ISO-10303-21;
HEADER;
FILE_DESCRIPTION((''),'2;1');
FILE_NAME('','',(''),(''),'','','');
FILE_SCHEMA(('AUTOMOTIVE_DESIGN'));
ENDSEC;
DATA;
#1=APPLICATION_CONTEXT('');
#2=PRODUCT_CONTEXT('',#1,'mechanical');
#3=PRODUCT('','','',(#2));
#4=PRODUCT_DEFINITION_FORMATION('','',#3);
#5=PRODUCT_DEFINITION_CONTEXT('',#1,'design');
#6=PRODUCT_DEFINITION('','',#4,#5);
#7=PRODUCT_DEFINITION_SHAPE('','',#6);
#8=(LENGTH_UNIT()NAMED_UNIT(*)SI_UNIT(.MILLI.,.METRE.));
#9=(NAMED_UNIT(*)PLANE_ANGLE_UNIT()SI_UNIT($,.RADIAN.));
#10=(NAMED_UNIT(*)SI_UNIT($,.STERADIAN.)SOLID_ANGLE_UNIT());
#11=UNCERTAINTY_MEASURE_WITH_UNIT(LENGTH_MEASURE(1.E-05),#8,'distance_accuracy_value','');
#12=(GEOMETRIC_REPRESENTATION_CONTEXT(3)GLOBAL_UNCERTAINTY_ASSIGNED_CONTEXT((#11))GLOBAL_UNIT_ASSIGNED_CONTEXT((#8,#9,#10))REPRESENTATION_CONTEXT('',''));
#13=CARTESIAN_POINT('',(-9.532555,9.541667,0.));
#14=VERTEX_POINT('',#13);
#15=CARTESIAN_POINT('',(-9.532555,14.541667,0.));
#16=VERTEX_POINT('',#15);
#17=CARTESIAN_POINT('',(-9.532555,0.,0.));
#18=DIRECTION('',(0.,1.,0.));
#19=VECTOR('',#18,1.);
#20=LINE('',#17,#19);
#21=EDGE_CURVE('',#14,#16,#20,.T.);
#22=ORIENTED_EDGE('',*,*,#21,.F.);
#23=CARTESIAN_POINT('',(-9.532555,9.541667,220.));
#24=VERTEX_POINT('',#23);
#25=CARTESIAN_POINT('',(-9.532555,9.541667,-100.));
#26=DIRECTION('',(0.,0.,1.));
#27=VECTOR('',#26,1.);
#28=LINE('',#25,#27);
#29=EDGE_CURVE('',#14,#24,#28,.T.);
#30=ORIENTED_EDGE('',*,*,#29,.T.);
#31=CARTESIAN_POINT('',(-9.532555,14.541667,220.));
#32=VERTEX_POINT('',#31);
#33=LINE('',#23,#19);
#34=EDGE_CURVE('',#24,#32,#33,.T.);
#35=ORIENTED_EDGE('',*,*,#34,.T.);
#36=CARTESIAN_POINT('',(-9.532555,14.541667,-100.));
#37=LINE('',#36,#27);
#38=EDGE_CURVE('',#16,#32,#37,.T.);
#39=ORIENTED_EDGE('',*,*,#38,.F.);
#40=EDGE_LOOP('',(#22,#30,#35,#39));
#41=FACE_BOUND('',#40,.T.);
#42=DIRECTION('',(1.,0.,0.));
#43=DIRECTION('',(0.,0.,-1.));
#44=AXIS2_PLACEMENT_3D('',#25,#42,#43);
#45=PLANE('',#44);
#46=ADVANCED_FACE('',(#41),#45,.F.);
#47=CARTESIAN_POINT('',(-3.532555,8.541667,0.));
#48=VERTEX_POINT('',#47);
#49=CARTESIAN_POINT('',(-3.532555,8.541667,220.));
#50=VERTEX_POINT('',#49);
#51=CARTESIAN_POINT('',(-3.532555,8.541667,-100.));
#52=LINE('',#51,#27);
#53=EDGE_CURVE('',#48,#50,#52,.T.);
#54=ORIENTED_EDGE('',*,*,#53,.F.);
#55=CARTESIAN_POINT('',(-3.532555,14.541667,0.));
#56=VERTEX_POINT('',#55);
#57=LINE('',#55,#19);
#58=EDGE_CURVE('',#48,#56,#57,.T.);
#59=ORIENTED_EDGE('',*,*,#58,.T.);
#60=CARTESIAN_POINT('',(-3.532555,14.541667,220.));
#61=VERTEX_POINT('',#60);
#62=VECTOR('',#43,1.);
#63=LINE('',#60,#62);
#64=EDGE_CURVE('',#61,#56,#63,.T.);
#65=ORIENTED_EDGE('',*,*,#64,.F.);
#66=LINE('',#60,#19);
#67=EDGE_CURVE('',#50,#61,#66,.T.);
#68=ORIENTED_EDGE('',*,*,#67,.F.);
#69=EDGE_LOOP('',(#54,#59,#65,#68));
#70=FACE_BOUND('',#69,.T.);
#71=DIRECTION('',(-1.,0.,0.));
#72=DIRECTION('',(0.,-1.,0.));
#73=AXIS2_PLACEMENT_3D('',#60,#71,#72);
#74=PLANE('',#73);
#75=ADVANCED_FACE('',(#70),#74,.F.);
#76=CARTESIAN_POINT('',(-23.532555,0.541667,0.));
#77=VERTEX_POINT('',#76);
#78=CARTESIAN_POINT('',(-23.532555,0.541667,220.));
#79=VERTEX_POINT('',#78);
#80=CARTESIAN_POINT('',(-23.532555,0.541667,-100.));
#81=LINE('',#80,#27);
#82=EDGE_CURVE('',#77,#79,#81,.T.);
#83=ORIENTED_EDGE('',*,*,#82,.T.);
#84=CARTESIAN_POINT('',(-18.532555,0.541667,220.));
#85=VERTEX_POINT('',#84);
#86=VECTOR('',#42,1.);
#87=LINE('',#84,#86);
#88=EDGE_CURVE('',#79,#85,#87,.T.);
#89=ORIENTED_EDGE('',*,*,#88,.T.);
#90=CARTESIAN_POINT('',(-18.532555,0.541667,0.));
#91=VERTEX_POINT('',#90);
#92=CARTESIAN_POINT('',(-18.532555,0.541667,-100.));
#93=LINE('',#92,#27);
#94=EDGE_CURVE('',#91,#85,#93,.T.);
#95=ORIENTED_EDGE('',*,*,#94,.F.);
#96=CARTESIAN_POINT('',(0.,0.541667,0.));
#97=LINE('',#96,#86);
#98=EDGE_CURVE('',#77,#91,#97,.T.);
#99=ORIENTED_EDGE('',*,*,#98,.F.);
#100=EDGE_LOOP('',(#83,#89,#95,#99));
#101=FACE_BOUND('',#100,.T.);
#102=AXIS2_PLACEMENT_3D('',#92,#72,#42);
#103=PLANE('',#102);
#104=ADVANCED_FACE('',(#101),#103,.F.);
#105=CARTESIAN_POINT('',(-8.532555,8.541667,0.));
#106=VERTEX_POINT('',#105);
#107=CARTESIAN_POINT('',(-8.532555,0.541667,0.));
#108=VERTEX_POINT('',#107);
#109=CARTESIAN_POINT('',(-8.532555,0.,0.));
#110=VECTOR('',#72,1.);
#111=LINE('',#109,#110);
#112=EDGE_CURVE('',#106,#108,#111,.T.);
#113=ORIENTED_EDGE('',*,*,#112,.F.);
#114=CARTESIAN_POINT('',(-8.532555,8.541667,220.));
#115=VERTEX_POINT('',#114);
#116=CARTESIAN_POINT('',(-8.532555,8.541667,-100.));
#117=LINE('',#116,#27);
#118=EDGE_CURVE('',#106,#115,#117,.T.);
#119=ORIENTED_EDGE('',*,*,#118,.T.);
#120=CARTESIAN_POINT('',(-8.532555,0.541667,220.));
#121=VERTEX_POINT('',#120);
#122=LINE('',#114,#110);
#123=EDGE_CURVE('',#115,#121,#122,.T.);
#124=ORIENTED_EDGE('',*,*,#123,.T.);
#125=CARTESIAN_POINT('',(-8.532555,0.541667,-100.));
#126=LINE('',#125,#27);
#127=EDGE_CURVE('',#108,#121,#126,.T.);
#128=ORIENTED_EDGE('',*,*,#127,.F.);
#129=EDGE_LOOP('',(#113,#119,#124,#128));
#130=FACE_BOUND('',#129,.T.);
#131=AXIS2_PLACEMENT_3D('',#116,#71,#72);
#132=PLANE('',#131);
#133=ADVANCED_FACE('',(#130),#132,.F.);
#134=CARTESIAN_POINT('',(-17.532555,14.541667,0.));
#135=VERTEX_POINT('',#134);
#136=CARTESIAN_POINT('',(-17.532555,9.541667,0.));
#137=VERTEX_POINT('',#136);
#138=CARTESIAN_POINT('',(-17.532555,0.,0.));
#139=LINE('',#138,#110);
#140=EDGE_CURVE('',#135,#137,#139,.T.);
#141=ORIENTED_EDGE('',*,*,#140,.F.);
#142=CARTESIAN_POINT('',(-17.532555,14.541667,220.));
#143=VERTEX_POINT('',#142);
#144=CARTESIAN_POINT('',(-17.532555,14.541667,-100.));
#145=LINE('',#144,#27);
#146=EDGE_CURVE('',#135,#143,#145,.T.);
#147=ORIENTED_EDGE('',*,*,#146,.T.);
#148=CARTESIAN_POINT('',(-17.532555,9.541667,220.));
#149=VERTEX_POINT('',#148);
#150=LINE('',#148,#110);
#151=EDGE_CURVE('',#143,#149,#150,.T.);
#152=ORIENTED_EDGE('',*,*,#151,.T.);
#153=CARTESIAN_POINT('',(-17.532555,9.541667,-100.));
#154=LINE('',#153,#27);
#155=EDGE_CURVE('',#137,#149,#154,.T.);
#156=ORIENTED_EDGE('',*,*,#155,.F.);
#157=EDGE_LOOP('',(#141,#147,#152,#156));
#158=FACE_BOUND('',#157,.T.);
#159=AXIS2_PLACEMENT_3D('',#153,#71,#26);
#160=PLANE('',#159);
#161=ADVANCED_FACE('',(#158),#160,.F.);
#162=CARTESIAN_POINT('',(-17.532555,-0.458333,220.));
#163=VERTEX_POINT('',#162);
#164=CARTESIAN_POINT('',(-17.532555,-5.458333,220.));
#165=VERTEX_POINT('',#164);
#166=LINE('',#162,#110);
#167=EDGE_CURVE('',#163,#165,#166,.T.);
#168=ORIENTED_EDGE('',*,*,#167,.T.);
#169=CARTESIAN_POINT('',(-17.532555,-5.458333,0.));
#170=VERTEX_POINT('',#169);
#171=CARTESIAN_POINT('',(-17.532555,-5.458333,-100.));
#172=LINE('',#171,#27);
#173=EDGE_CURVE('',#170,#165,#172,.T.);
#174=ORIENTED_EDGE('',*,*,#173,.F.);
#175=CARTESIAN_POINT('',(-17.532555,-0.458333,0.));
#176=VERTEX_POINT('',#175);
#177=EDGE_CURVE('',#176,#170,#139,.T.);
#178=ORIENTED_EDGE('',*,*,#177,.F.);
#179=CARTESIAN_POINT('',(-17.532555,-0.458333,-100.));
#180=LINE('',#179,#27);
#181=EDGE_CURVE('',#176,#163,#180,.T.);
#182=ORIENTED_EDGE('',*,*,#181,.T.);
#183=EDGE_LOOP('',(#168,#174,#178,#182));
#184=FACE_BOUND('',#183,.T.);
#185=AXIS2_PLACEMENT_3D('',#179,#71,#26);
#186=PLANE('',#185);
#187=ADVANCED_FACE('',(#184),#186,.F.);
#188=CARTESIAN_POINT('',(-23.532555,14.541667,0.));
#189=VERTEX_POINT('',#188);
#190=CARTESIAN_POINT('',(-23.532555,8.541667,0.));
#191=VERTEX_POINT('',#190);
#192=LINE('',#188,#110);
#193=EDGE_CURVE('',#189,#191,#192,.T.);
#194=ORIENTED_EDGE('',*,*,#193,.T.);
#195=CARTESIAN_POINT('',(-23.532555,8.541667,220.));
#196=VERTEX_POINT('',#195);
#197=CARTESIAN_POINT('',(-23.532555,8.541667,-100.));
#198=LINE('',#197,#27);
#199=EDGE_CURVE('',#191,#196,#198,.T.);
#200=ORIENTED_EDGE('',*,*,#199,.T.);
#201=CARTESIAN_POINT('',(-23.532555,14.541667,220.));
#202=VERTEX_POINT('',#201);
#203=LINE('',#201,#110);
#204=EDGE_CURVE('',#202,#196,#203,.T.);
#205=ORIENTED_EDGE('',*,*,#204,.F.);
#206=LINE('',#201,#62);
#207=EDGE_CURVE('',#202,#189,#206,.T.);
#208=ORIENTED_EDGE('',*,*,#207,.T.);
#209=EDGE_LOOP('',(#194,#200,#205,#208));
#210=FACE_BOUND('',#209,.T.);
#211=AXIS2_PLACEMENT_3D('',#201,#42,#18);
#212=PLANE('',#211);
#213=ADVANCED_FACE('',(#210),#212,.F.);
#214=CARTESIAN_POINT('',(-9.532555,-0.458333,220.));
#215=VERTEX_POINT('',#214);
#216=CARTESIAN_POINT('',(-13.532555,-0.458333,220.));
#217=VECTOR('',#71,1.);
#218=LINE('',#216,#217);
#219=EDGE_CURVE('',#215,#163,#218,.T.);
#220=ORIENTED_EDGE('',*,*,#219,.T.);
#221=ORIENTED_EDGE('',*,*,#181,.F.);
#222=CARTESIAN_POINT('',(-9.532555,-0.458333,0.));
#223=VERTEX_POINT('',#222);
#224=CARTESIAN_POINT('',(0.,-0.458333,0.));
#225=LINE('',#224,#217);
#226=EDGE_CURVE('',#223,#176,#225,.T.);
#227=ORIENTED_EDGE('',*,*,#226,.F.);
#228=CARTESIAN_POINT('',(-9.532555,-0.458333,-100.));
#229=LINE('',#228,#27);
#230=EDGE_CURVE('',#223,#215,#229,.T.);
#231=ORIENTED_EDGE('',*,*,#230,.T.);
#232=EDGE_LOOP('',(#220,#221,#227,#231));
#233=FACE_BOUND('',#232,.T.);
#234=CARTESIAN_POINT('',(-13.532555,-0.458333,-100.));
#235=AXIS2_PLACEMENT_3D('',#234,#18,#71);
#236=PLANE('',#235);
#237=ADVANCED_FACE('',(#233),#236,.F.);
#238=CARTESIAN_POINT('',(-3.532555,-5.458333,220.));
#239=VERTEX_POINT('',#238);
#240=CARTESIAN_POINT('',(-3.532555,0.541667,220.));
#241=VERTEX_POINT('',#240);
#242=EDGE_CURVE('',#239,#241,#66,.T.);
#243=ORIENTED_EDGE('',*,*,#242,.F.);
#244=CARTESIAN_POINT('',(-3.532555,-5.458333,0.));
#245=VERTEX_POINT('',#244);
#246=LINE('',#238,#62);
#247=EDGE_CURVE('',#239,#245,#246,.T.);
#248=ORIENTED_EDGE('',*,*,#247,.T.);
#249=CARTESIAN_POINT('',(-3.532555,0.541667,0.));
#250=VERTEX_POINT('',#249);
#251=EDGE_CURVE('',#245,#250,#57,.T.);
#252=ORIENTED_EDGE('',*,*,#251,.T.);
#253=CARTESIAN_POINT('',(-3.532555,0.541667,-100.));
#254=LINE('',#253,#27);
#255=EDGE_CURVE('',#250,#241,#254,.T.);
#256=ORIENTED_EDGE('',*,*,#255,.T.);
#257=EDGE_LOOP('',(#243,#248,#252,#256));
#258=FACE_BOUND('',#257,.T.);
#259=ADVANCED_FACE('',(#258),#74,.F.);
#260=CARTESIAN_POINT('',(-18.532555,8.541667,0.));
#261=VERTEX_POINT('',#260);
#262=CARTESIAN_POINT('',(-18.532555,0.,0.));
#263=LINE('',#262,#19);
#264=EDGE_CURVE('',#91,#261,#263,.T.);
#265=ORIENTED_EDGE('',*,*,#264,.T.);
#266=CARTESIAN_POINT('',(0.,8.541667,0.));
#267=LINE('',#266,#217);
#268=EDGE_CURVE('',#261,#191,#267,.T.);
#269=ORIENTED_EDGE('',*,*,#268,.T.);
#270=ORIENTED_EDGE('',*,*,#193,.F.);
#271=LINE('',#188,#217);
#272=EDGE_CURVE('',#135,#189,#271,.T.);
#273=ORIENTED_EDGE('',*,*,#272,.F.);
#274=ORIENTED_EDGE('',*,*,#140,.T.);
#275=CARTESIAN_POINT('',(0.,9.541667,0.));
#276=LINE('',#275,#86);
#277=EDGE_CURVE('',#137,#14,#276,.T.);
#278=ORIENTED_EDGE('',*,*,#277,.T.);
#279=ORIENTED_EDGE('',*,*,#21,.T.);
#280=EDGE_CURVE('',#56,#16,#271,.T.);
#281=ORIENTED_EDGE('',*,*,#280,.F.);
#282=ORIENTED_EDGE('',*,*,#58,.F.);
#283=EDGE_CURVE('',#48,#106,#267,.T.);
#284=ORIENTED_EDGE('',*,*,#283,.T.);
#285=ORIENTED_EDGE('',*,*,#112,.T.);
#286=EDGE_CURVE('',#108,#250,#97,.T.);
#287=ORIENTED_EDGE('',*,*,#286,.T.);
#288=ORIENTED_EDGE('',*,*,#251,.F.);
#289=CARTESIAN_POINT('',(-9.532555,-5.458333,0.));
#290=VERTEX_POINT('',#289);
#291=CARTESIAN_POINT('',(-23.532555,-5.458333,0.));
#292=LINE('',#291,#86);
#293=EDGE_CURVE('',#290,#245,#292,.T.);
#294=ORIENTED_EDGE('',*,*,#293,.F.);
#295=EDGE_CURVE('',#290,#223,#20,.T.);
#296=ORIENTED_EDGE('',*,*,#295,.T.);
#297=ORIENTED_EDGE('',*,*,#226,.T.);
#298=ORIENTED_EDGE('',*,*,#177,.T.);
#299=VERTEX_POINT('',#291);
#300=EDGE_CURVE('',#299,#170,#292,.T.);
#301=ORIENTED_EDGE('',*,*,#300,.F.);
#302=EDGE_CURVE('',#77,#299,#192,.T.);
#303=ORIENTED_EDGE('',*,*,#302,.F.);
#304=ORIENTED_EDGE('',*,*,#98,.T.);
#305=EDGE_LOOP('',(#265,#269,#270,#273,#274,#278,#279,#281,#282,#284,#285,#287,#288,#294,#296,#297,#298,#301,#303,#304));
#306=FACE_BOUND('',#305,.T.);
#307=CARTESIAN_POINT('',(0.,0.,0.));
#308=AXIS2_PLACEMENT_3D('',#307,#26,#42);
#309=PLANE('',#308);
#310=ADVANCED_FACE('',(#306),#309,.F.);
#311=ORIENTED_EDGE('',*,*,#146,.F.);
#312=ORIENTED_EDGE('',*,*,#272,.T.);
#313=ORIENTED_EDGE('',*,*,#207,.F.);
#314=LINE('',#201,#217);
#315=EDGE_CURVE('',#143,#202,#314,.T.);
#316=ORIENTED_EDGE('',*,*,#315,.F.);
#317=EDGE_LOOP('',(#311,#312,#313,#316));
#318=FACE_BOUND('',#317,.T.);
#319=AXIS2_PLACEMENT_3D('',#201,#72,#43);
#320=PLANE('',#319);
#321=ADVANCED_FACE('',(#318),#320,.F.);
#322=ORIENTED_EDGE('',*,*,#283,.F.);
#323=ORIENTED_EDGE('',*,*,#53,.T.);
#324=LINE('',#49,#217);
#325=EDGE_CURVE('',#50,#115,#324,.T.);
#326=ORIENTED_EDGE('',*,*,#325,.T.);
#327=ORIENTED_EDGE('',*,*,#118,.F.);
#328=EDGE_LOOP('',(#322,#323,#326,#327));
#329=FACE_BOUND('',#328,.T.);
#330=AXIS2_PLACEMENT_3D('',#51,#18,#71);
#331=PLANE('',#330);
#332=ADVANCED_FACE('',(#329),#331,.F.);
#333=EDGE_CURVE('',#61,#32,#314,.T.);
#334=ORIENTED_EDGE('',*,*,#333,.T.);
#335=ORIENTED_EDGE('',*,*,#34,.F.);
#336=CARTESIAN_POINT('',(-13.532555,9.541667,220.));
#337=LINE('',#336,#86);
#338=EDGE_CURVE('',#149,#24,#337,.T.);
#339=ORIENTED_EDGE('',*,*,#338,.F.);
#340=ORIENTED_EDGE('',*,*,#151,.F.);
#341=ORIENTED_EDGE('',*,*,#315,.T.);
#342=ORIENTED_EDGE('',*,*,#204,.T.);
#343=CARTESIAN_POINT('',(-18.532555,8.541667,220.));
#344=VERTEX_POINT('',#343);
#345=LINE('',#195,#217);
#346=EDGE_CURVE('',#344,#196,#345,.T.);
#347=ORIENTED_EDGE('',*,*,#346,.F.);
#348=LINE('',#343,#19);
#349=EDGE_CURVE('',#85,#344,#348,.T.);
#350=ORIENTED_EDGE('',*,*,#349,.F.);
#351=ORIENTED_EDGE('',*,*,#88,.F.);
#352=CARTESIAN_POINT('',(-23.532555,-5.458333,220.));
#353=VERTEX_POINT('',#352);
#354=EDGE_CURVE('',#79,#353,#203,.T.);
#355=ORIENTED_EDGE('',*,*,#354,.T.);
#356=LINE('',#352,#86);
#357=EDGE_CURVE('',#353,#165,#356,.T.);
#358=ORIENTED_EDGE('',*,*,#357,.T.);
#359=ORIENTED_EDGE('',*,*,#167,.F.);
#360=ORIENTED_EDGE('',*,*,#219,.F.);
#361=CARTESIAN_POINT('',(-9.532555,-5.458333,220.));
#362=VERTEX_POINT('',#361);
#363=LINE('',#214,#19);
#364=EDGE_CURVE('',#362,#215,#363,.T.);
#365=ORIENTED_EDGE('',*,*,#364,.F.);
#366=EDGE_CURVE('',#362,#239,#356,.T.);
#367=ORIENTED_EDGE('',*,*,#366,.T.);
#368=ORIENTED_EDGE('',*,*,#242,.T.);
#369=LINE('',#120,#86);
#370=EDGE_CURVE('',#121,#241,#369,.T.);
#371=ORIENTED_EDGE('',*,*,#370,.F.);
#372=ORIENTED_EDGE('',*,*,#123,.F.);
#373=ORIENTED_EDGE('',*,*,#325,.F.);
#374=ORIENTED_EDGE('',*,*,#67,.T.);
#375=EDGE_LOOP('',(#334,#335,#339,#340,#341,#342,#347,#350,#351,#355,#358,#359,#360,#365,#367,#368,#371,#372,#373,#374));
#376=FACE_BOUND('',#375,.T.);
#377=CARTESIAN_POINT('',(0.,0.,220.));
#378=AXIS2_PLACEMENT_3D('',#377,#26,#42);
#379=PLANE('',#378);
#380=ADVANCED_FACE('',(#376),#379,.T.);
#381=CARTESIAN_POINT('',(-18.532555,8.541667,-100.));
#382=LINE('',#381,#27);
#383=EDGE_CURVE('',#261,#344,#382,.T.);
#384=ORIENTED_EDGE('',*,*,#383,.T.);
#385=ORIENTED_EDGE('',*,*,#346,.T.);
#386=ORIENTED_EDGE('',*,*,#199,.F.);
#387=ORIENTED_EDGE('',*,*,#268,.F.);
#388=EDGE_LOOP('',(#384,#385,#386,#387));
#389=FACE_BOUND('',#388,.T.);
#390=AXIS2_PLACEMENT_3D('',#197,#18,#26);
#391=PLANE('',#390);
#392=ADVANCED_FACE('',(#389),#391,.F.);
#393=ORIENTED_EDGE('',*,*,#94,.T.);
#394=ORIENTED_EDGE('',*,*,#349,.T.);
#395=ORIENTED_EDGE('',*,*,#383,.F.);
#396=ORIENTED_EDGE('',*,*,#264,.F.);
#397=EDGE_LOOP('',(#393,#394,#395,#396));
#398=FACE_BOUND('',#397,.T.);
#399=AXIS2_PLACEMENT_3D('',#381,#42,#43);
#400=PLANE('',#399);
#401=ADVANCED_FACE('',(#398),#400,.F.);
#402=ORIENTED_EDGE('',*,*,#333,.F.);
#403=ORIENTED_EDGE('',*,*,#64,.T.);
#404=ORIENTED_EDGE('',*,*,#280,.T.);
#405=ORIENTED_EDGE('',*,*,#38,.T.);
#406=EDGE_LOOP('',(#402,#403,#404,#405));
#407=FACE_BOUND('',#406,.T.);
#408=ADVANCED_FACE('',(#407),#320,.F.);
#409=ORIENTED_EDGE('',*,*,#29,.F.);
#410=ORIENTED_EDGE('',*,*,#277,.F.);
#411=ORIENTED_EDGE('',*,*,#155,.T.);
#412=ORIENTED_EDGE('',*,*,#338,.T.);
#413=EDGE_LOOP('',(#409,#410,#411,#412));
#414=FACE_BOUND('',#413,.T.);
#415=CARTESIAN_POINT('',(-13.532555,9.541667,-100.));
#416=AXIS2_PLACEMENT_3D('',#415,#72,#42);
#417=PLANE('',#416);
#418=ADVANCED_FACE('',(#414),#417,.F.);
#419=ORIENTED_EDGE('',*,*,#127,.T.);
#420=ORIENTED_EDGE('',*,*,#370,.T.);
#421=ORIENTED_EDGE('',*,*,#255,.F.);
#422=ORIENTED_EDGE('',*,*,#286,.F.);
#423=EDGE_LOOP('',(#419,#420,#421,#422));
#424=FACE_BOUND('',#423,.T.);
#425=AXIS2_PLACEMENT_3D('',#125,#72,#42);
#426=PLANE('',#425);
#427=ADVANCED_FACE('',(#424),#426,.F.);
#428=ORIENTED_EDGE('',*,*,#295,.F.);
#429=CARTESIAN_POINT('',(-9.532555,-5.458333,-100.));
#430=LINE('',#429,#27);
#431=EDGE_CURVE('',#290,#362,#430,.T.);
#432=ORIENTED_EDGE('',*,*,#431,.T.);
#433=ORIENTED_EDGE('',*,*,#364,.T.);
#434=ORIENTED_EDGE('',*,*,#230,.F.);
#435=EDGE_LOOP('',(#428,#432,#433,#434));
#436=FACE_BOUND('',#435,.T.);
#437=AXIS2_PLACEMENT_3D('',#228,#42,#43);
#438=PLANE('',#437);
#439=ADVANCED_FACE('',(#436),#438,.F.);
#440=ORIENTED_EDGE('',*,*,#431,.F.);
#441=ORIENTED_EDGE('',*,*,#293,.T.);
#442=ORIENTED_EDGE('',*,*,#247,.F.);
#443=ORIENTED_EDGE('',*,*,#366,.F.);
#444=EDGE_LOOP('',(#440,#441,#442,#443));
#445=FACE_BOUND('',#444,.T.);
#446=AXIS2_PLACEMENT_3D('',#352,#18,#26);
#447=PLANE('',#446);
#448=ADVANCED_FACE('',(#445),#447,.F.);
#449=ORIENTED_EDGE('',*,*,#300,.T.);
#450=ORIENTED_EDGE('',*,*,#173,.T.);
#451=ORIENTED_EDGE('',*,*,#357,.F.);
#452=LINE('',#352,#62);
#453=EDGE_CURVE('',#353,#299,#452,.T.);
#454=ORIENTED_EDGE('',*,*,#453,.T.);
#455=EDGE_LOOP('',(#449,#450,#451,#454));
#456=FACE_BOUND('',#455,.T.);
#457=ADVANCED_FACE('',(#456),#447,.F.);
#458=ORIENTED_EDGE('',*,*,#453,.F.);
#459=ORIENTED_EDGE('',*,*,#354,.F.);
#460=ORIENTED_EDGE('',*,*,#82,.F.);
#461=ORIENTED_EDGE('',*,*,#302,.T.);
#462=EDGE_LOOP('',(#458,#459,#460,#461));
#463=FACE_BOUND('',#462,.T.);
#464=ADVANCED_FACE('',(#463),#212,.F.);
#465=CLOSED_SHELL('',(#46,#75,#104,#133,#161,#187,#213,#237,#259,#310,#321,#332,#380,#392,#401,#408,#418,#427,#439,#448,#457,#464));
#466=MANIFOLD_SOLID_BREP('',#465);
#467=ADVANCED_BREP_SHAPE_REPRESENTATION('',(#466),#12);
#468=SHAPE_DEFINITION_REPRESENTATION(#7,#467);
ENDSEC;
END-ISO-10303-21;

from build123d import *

# Parameters (mm, degrees)
CROQUIS1_W              = 20
CROQUIS1_H              = 20
SALIENTE_EXTRUIR1_DEPTH = 220
CORTAR_EXTRUIR1_DEPTH   = 320


with BuildPart() as part:
    # Croquis1 → Saliente-Extruir1 (new body)
    with BuildSketch(Plane.XY):
        with Locations((-13.532555049, 4.541666667)):
            Rectangle(CROQUIS1_W, CROQUIS1_H)
    extrude(amount=SALIENTE_EXTRUIR1_DEPTH)

    # Croquis2 → Cortar-Extruir1 (cut)
    with BuildSketch(Plane.XY.offset(220)):
        Polygon((-13.532555049, 9.541666667), (-17.532555049, 9.541666667), (-17.532555049, 14.541666667), (-9.532555049, 14.541666667), (-9.532555049, 9.541666667), align=None)
        Polygon((-9.532555049, -0.458333333), (-9.532555049, -5.458333333), (-17.532555049, -5.458333333), (-17.532555049, -0.458333333), (-13.532555049, -0.458333333), align=None)
        Polygon((-23.532555049, 4.541666667), (-23.532555049, 8.541666667), (-18.532555049, 8.541666667), (-18.532555049, 0.541666667), (-23.532555049, 0.541666667), align=None)
        Polygon((-8.532555049, 8.541666667), (-8.532555049, 0.541666667), (-3.532555049, 0.541666667), (-3.532555049, 4.541666667), (-3.532555049, 8.541666667), align=None)
    extrude(amount=-CORTAR_EXTRUIR1_DEPTH, mode=Mode.SUBTRACT)


solid = part.part
